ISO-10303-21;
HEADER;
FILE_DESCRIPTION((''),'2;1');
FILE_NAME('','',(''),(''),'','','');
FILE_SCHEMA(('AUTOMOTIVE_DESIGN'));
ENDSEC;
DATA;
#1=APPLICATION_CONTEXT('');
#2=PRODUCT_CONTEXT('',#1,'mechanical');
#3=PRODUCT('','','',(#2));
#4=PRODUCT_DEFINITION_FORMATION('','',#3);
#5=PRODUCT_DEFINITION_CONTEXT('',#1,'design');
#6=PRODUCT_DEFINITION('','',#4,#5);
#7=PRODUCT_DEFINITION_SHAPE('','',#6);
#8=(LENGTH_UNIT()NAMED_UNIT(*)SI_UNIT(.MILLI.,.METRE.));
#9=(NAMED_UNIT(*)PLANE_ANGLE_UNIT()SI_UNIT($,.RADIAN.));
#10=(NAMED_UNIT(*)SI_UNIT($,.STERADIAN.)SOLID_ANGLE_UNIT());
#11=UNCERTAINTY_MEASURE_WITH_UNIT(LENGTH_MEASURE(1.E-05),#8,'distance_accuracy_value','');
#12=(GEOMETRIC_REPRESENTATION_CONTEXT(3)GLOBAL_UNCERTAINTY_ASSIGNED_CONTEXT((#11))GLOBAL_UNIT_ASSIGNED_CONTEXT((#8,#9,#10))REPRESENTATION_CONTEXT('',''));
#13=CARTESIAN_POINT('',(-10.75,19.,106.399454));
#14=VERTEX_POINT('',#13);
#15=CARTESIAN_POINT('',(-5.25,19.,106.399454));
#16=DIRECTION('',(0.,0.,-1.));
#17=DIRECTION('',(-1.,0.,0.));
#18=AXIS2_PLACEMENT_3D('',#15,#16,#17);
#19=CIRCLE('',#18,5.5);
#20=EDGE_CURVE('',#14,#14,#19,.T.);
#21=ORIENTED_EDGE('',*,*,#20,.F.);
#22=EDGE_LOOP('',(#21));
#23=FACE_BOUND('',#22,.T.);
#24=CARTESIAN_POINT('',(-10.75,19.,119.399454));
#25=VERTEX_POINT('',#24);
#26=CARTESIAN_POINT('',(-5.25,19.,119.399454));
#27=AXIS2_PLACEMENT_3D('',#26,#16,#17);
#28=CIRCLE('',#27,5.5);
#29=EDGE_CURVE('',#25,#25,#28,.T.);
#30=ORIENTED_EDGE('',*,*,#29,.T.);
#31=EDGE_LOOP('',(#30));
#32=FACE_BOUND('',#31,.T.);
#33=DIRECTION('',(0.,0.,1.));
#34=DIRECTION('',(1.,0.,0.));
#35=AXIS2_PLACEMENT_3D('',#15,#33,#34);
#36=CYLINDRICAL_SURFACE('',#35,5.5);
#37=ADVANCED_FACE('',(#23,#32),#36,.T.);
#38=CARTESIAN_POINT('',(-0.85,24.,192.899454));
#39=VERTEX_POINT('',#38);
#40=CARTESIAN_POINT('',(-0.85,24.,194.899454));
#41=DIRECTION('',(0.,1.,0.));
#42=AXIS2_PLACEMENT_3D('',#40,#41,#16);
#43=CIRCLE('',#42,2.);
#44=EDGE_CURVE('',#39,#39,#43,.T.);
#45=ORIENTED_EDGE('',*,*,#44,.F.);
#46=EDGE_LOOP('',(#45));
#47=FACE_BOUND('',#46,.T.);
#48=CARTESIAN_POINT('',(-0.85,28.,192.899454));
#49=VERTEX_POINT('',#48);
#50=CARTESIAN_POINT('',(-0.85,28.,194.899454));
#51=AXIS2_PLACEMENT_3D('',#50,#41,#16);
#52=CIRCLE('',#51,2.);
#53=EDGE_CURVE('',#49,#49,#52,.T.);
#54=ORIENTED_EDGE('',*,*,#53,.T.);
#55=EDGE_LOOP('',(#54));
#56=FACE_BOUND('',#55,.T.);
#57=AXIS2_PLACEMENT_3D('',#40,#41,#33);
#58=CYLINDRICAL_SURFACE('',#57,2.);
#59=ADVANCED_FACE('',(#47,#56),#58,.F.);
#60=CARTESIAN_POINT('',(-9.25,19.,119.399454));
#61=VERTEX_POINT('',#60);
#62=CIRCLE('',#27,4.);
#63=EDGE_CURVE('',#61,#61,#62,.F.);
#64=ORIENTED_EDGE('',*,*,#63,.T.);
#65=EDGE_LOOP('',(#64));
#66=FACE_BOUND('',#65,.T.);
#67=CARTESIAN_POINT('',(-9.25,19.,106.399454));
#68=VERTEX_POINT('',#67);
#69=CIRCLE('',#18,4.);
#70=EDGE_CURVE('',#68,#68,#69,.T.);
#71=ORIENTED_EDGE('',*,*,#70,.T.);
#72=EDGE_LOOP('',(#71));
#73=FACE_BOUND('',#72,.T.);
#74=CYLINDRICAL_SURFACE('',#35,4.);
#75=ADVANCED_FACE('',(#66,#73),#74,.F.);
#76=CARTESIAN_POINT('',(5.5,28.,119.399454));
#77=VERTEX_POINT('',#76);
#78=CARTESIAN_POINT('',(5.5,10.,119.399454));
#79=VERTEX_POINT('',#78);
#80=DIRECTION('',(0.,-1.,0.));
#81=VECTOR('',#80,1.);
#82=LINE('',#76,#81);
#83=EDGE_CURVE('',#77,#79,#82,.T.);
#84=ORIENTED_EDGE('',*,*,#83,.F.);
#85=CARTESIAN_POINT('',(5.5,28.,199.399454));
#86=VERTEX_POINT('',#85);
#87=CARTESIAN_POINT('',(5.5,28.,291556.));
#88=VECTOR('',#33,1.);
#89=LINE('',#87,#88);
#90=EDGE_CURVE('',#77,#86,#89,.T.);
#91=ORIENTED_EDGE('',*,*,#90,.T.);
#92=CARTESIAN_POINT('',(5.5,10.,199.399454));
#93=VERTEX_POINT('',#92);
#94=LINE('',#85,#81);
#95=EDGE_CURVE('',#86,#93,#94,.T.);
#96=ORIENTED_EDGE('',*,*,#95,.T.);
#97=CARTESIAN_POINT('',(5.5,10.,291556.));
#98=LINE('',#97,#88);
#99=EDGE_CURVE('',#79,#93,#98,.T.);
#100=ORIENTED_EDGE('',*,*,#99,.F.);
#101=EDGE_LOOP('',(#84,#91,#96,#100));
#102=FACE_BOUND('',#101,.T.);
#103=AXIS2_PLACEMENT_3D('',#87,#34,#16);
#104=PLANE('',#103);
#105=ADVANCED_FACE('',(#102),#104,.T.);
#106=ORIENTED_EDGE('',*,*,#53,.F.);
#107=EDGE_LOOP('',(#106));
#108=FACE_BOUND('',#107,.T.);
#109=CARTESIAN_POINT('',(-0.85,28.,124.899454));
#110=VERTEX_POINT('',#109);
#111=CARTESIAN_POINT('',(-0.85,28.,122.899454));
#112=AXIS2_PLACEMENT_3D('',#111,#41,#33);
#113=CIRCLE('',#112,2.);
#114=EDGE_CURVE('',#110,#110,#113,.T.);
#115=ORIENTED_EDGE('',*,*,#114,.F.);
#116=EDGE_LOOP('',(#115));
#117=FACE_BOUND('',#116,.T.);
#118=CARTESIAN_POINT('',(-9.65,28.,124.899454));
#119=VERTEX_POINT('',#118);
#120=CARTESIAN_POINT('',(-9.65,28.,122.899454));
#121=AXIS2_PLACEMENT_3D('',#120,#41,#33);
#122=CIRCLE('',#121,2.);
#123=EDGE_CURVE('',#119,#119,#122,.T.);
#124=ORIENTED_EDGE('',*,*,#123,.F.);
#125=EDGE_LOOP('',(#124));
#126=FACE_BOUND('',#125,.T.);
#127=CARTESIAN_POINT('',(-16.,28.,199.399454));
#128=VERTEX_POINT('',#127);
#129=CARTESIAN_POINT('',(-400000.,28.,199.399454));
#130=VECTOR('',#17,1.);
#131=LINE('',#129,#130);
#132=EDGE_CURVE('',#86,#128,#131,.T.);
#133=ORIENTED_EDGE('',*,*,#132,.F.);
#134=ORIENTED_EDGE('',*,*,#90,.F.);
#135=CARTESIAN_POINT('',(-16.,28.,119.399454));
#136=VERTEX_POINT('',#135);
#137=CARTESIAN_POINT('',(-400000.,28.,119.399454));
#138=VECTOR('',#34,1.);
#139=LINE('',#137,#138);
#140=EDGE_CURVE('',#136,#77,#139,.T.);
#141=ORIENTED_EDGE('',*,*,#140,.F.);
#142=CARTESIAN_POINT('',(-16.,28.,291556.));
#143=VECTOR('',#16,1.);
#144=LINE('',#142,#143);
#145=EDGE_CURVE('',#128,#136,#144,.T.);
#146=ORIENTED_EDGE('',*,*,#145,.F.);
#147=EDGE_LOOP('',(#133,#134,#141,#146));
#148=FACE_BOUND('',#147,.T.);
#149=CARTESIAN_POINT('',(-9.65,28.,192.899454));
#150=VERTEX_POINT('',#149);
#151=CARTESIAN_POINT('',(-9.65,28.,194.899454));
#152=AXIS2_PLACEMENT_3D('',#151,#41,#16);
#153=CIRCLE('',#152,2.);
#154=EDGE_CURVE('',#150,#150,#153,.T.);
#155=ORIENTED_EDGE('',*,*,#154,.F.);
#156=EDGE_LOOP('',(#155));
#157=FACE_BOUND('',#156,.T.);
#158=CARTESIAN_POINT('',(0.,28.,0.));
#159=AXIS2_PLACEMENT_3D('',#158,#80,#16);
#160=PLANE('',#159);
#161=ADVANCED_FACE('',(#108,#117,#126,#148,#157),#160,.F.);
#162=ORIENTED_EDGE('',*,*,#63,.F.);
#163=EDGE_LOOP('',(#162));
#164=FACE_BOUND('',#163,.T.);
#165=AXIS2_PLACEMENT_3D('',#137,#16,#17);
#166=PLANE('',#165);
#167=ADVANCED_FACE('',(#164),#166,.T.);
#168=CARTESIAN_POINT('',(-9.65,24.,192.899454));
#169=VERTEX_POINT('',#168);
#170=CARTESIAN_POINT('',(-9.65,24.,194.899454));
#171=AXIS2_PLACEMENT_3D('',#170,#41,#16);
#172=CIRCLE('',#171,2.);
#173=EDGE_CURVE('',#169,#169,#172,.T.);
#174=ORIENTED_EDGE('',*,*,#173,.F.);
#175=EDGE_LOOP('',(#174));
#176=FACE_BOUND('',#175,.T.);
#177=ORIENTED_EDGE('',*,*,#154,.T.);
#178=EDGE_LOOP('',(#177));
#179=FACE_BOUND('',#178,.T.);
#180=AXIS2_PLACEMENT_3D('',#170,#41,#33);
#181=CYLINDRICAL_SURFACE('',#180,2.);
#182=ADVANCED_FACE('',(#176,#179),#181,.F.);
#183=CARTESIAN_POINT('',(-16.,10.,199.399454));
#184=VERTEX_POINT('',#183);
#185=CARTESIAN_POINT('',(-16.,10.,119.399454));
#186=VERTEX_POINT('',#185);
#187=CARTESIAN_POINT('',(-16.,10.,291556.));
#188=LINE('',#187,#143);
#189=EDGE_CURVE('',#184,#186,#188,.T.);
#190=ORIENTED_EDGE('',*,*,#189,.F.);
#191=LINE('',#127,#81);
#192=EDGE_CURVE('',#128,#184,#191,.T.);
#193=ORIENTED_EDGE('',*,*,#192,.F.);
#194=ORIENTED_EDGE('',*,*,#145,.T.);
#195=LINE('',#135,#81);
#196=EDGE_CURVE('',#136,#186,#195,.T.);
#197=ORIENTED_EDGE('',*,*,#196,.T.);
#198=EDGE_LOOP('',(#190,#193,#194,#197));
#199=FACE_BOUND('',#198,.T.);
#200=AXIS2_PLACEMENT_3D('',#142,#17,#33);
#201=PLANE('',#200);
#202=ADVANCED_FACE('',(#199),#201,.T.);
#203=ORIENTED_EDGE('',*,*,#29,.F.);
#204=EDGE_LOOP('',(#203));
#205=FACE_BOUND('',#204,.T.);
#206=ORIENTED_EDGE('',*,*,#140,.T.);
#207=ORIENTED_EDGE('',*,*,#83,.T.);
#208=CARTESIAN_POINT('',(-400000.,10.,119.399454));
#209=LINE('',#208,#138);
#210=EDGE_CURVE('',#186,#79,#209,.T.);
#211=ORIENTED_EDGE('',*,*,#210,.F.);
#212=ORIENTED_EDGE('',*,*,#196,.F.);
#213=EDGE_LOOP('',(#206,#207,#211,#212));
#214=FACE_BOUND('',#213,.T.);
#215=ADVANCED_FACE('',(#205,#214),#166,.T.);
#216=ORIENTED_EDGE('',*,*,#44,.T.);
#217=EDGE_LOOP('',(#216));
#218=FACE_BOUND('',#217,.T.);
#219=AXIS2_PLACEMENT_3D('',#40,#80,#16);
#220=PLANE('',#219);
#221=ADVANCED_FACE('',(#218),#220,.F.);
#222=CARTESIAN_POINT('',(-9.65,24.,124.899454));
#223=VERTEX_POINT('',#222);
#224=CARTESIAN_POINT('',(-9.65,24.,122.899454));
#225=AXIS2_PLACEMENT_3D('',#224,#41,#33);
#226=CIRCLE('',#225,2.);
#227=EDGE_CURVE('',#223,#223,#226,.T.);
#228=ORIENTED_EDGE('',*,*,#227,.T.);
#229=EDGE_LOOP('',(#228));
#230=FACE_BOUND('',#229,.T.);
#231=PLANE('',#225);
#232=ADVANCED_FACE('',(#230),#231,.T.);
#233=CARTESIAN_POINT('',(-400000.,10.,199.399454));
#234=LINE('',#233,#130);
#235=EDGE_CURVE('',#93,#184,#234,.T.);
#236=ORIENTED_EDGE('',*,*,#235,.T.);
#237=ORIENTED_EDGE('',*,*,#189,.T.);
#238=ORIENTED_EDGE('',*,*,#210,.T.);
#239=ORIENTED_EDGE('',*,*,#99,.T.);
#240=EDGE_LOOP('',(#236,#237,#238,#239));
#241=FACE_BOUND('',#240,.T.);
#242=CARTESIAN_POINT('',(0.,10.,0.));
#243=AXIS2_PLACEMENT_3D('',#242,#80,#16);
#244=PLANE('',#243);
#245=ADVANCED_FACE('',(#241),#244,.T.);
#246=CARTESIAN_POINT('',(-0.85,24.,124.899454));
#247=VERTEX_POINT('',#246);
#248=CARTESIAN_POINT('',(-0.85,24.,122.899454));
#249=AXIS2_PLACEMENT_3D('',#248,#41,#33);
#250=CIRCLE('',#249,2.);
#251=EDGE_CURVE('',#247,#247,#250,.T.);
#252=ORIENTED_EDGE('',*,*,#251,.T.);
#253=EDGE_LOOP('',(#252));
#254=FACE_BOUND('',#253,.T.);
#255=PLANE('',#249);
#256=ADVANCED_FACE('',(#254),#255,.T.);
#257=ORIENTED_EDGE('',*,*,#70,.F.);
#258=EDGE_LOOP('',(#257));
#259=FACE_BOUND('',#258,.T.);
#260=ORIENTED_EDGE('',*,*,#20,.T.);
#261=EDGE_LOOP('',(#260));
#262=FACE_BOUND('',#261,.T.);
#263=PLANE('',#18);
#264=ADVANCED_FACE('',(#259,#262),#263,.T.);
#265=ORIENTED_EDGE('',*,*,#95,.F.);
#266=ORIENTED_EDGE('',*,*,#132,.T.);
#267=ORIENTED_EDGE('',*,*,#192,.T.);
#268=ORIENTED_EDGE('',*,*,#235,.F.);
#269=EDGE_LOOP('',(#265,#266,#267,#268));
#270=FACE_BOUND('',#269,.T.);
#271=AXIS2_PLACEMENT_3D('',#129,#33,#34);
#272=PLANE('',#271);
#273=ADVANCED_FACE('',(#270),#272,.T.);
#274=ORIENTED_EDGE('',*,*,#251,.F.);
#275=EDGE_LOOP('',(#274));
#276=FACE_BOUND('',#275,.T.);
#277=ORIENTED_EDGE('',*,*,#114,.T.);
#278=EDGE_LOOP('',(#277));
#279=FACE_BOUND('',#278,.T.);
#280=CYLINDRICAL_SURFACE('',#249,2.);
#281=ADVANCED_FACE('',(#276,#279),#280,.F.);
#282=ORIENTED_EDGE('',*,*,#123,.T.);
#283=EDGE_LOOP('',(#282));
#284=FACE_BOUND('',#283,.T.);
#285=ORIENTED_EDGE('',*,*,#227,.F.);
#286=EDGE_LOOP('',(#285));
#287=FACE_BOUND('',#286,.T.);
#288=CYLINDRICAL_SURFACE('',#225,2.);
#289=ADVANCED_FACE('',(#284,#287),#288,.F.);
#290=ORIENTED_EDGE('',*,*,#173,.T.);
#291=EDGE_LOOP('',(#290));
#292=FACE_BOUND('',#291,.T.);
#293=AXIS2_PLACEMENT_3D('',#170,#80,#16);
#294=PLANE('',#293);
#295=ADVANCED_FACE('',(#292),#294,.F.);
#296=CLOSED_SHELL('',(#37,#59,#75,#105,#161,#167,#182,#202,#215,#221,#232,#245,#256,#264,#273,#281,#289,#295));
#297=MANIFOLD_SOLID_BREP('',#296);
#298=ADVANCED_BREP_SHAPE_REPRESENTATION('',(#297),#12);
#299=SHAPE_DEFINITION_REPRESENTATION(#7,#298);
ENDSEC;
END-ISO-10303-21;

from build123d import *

# Parameters (mm, degrees)
BOSS_EXTRUDE6_START = 10
SKETCH22_W          = 21.5
SKETCH22_H          = 80
BOSS_EXTRUDE6_DEPTH = 18
SKETCH23_R          = 2
CUT_EXTRUDE9_DEPTH  = 4
SKETCH24_R          = 5.5
SKETCH24_R_2        = 4
BOSS_EXTRUDE7_DEPTH = 13


with BuildPart() as part:
    # Sketch22 → Boss-Extrude6 (new body)
    with BuildSketch(Plane(origin=(0, 0, 0), x_dir=(1, 0, 0), z_dir=(0, 1, 0)).offset(BOSS_EXTRUDE6_START)):
        with Locations((-5.25, -159.399454256)):
            Rectangle(SKETCH22_W, SKETCH22_H)
    extrude(amount=BOSS_EXTRUDE6_DEPTH)

    # Sketch23 → Cut-Extrude9 (cut)
    with BuildSketch(Plane(origin=(0, 28, 0), x_dir=(1, 0, 0), z_dir=(0, 1, 0))):
        with Locations((-9.65, -122.899454256)):
            Circle(SKETCH23_R)
        with Locations((-0.85, -122.899454256)):
            Circle(SKETCH23_R)
        with Locations((-0.85, -194.899454256)):
            Circle(SKETCH23_R)
        with Locations((-9.65, -194.899454256)):
            Circle(SKETCH23_R)
    extrude(amount=-CUT_EXTRUDE9_DEPTH, mode=Mode.SUBTRACT)

    # Sketch24 → Boss-Extrude7 (add)
    with BuildSketch(Plane(origin=(0, 0, 119.399454256), x_dir=(-1, 0, 0), z_dir=(0, 0, -1))):
        with Locations((5.25, 19)):
            Circle(SKETCH24_R)
        with Locations((5.25, 19)):
            Circle(SKETCH24_R_2, mode=Mode.SUBTRACT)
    extrude(amount=BOSS_EXTRUDE7_DEPTH)


solid = part.part
